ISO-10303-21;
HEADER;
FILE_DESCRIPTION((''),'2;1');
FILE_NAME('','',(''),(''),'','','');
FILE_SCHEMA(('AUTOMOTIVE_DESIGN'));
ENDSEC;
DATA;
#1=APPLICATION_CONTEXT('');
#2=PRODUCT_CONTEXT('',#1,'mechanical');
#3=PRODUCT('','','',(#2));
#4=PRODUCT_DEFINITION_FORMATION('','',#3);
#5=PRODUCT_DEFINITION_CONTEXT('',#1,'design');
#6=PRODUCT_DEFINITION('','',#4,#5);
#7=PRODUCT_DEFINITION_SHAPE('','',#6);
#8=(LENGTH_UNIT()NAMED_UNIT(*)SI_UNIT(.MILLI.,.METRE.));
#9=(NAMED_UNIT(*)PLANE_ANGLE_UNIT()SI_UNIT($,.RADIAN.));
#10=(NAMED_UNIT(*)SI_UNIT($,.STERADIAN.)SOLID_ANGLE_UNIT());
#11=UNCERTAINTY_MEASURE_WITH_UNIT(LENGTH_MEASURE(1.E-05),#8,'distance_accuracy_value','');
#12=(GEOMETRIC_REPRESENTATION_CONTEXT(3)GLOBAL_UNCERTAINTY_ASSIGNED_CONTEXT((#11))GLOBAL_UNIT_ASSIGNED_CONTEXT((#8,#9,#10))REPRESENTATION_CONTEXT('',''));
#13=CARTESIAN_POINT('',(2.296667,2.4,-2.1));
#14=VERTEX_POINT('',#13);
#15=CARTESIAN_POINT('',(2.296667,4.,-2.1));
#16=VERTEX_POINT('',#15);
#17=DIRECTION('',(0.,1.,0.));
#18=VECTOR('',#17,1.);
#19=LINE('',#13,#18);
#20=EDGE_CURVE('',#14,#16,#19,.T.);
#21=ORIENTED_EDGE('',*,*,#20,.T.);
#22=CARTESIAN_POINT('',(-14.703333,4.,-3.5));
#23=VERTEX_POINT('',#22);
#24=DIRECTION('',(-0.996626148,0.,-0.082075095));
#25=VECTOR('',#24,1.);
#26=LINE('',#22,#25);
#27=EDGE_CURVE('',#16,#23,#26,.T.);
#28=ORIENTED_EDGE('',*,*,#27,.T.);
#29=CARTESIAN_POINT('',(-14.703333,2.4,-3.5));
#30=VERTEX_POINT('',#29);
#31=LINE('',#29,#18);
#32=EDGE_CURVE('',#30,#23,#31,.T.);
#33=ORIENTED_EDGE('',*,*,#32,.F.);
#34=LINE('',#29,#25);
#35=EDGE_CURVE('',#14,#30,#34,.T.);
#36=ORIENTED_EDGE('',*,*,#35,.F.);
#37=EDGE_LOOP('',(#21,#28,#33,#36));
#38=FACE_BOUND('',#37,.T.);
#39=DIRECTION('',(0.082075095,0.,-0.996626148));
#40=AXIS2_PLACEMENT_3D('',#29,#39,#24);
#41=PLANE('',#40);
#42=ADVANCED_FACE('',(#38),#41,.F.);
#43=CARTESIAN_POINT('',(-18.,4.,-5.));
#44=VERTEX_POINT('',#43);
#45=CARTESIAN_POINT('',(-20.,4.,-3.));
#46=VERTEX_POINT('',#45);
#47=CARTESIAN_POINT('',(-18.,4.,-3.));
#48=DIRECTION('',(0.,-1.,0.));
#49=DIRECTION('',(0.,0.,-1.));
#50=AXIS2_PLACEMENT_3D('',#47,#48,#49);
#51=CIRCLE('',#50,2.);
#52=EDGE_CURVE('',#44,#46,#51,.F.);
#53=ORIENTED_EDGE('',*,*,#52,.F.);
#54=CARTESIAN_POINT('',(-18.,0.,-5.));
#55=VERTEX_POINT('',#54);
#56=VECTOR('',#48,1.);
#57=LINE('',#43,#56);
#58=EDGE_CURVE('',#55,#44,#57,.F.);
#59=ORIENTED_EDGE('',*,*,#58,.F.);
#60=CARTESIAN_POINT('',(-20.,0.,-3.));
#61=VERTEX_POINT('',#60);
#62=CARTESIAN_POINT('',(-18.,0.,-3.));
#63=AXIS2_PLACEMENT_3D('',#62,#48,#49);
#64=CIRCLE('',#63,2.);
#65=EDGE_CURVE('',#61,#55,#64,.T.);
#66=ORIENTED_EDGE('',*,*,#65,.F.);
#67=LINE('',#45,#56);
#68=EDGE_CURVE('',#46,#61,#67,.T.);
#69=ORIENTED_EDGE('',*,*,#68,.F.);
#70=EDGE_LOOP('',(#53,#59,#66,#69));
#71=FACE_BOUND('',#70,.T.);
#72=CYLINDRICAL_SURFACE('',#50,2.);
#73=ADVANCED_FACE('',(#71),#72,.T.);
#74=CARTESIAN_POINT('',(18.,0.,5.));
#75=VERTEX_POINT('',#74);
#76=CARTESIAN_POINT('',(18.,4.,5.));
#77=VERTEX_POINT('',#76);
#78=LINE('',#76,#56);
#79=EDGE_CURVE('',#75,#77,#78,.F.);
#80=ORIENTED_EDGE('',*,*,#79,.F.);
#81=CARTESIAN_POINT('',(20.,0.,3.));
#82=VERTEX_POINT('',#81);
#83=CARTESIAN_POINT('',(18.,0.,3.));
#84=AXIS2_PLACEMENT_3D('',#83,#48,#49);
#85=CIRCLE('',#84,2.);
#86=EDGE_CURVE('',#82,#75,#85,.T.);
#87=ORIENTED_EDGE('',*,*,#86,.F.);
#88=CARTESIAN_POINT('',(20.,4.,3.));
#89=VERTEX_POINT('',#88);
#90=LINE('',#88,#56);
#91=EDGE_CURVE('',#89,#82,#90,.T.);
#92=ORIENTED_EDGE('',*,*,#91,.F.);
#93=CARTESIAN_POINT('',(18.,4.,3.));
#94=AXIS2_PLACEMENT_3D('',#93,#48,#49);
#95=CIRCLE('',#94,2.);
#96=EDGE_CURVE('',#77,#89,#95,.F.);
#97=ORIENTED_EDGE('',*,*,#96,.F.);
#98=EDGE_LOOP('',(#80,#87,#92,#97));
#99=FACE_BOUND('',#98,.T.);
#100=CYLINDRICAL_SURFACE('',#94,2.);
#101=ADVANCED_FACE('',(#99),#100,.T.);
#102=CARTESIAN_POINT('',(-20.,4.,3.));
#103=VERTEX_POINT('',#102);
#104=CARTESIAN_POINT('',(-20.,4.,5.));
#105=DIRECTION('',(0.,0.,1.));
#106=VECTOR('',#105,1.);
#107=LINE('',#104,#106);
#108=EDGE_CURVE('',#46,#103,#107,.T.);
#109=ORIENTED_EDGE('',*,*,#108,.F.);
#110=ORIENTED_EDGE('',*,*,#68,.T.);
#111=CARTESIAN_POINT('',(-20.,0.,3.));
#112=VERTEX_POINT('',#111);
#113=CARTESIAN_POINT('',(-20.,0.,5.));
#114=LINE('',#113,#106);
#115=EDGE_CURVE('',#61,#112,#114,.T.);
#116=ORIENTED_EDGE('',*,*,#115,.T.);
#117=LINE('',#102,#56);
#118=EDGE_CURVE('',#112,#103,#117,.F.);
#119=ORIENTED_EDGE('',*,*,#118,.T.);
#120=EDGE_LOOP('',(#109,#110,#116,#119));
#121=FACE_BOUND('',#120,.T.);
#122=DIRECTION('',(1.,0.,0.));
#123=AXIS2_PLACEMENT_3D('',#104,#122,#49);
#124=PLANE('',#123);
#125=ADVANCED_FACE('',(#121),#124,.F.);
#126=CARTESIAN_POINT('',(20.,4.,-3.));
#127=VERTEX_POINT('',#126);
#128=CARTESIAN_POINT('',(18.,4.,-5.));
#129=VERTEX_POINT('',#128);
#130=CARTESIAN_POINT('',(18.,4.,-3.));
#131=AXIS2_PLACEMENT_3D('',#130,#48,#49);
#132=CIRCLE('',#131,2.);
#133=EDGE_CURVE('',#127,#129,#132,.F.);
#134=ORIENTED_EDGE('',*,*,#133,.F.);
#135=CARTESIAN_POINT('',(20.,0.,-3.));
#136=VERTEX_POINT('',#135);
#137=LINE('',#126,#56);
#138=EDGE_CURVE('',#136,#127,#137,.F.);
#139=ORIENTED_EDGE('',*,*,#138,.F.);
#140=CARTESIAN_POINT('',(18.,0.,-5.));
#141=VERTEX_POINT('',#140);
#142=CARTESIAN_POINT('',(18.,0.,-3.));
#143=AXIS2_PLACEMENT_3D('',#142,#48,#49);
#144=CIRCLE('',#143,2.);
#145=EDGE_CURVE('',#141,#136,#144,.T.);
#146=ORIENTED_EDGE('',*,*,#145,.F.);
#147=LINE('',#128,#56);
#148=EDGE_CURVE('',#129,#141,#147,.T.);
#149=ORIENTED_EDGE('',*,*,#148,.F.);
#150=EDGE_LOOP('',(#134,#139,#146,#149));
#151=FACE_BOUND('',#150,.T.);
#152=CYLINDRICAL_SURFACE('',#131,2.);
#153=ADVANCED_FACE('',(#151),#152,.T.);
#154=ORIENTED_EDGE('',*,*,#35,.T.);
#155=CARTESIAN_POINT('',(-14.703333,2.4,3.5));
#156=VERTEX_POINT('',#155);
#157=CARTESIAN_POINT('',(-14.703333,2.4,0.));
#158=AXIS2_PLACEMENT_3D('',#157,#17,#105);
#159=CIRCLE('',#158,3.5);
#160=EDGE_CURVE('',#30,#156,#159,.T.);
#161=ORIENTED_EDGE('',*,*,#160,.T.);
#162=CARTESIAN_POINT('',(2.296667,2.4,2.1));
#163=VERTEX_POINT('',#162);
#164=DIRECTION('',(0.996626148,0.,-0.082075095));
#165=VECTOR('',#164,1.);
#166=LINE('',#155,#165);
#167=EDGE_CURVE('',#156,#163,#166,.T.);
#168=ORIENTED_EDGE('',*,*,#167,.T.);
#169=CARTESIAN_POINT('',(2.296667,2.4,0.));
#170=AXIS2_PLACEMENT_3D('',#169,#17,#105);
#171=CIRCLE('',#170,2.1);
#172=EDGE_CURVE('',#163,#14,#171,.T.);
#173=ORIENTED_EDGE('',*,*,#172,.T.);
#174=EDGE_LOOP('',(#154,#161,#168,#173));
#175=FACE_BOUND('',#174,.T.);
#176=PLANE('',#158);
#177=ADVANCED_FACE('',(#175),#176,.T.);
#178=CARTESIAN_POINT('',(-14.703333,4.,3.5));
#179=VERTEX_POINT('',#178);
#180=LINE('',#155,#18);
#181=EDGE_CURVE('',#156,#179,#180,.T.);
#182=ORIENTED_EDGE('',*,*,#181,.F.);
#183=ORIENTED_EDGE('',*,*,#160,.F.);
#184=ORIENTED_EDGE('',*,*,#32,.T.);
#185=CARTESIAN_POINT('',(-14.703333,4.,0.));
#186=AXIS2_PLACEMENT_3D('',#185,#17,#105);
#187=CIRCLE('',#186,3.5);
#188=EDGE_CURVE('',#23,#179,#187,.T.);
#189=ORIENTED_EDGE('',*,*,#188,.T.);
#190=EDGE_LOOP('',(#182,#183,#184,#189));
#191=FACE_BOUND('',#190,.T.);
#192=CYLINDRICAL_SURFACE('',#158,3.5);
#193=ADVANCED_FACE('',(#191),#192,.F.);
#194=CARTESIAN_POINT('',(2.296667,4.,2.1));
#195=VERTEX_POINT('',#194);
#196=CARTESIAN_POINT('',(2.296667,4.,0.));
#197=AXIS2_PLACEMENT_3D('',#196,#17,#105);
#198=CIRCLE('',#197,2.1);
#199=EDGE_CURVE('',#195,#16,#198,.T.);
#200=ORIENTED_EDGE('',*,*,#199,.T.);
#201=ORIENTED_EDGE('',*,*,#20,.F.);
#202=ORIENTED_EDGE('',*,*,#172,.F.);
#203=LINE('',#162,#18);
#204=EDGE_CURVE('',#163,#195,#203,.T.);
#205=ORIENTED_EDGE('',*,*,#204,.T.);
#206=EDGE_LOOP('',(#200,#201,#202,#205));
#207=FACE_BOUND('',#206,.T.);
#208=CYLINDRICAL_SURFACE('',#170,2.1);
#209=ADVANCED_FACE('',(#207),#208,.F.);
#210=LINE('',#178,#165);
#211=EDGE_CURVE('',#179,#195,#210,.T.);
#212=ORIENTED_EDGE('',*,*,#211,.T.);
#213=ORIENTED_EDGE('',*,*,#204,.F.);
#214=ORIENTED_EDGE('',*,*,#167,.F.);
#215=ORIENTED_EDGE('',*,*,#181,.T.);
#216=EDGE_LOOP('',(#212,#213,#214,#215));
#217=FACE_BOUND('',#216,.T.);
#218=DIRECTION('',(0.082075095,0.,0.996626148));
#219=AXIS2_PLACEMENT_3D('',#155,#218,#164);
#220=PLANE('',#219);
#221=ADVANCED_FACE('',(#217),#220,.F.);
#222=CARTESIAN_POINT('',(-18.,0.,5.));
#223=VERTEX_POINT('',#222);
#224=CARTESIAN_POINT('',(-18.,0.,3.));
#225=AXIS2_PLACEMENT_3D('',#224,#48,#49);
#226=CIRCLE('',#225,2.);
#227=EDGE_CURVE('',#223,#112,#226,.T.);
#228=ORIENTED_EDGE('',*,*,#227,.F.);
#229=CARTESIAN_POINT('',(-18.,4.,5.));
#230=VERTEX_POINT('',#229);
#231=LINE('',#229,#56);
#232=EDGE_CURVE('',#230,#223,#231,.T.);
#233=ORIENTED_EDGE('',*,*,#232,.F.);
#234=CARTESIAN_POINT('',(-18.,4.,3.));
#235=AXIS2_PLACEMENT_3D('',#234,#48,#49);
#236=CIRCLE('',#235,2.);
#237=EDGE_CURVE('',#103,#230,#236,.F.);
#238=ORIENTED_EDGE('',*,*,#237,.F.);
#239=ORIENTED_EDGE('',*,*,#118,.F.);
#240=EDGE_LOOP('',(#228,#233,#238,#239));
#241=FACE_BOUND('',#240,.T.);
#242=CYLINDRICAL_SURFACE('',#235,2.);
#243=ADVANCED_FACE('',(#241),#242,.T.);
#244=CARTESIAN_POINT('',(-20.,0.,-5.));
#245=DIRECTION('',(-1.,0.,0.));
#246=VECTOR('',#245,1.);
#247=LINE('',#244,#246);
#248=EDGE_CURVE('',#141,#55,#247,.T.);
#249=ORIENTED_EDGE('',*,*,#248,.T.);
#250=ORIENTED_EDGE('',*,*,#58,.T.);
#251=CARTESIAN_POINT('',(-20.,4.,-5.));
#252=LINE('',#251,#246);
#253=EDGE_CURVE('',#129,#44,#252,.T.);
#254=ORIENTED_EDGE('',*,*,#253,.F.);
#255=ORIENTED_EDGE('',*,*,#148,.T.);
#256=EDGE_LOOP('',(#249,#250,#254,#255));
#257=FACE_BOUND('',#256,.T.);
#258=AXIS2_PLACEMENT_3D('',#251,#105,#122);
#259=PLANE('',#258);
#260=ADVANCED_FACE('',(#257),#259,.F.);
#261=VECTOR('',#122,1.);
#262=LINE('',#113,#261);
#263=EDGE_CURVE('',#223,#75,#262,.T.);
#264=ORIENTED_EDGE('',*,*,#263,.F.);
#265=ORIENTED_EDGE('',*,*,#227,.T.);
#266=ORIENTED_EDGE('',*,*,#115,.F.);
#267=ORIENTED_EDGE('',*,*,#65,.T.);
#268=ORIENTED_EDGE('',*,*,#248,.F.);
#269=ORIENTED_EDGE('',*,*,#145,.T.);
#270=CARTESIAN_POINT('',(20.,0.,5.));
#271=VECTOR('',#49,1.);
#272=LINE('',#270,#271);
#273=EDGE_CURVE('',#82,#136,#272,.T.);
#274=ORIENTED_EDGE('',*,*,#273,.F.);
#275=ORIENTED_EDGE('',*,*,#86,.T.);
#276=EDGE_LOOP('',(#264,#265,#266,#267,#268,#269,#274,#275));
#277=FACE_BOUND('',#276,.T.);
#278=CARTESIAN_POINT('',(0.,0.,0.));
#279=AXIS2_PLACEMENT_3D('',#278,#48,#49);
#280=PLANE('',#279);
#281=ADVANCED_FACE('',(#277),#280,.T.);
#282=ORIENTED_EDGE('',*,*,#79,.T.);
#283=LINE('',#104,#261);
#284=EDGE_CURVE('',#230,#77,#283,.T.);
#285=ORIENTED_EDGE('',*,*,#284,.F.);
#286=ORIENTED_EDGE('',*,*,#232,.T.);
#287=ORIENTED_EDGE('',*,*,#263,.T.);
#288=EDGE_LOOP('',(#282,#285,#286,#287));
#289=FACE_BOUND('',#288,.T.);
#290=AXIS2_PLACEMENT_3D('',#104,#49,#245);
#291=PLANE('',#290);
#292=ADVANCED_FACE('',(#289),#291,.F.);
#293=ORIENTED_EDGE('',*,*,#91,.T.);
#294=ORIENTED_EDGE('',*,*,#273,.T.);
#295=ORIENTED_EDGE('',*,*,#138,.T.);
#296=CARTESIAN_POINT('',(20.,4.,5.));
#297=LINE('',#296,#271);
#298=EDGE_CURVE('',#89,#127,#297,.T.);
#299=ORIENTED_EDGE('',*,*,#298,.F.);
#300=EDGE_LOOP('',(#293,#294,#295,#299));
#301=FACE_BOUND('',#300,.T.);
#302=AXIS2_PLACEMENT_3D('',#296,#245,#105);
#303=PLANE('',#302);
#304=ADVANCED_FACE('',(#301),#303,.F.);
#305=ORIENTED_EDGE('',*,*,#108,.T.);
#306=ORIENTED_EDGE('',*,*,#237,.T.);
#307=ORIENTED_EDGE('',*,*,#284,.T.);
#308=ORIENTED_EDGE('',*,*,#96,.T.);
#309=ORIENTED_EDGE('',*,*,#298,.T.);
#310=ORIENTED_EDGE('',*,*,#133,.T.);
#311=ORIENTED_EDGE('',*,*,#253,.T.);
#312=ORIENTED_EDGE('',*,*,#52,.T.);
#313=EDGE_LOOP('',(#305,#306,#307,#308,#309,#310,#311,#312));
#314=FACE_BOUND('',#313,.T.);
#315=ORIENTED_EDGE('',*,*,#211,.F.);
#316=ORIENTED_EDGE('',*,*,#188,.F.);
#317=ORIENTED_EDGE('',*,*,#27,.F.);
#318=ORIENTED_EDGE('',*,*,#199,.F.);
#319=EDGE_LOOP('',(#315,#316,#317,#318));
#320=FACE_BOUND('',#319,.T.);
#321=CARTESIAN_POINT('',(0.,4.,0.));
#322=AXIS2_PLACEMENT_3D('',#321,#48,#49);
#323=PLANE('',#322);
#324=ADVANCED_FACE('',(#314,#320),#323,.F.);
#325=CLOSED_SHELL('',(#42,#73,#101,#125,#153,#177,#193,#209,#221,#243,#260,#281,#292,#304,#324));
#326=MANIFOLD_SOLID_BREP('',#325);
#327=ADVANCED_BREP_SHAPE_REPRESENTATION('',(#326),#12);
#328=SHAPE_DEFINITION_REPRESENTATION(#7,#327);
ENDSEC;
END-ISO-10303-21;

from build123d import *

# Parameters (mm, degrees)
SKETCH_1_W          = 40
SKETCH_1_H          = 10
EXTRUDE_1_DEPTH     = 4
CUT_EXTRUDE_1_DEPTH = 1.6
FILLET_1_R          = 2


with BuildPart() as part:
    # 스케치1 → 보스-돌출1 (new body)
    with BuildSketch(Plane(origin=(0, 0, 0), x_dir=(1, 0, 0), z_dir=(0, 1, 0))):
        Rectangle(SKETCH_1_W, SKETCH_1_H)
    extrude(amount=EXTRUDE_1_DEPTH)

    # 스케치2 → 컷-돌출1 (cut)
    with BuildSketch(Plane(origin=(0, 4, 0), x_dir=(1, 0, 0), z_dir=(0, 1, 0))):
        with BuildLine():
            Line((-14.703333421, -3.5), (2.296666579, -2.1))
            ThreePointArc((2.296666579, -2.1), (4.396666579, 0), (2.296666579, 2.1))
            Line((2.296666579, 2.1), (-14.703333421, 3.5))
            ThreePointArc((-14.703333421, 3.5), (-18.203333421, 0), (-14.703333421, -3.5))
        make_face()
    extrude(amount=-CUT_EXTRUDE_1_DEPTH, mode=Mode.SUBTRACT)

    # 필렛1
    fillet_1_edges = [part.edges().sort_by_distance(p)[0] for p in [
        (20, 2, 5),
        (-20, 2, 5),
        (-20, 2, -5),
        (20, 2, -5),
    ]]
    fillet(fillet_1_edges, radius=FILLET_1_R)


solid = part.part
